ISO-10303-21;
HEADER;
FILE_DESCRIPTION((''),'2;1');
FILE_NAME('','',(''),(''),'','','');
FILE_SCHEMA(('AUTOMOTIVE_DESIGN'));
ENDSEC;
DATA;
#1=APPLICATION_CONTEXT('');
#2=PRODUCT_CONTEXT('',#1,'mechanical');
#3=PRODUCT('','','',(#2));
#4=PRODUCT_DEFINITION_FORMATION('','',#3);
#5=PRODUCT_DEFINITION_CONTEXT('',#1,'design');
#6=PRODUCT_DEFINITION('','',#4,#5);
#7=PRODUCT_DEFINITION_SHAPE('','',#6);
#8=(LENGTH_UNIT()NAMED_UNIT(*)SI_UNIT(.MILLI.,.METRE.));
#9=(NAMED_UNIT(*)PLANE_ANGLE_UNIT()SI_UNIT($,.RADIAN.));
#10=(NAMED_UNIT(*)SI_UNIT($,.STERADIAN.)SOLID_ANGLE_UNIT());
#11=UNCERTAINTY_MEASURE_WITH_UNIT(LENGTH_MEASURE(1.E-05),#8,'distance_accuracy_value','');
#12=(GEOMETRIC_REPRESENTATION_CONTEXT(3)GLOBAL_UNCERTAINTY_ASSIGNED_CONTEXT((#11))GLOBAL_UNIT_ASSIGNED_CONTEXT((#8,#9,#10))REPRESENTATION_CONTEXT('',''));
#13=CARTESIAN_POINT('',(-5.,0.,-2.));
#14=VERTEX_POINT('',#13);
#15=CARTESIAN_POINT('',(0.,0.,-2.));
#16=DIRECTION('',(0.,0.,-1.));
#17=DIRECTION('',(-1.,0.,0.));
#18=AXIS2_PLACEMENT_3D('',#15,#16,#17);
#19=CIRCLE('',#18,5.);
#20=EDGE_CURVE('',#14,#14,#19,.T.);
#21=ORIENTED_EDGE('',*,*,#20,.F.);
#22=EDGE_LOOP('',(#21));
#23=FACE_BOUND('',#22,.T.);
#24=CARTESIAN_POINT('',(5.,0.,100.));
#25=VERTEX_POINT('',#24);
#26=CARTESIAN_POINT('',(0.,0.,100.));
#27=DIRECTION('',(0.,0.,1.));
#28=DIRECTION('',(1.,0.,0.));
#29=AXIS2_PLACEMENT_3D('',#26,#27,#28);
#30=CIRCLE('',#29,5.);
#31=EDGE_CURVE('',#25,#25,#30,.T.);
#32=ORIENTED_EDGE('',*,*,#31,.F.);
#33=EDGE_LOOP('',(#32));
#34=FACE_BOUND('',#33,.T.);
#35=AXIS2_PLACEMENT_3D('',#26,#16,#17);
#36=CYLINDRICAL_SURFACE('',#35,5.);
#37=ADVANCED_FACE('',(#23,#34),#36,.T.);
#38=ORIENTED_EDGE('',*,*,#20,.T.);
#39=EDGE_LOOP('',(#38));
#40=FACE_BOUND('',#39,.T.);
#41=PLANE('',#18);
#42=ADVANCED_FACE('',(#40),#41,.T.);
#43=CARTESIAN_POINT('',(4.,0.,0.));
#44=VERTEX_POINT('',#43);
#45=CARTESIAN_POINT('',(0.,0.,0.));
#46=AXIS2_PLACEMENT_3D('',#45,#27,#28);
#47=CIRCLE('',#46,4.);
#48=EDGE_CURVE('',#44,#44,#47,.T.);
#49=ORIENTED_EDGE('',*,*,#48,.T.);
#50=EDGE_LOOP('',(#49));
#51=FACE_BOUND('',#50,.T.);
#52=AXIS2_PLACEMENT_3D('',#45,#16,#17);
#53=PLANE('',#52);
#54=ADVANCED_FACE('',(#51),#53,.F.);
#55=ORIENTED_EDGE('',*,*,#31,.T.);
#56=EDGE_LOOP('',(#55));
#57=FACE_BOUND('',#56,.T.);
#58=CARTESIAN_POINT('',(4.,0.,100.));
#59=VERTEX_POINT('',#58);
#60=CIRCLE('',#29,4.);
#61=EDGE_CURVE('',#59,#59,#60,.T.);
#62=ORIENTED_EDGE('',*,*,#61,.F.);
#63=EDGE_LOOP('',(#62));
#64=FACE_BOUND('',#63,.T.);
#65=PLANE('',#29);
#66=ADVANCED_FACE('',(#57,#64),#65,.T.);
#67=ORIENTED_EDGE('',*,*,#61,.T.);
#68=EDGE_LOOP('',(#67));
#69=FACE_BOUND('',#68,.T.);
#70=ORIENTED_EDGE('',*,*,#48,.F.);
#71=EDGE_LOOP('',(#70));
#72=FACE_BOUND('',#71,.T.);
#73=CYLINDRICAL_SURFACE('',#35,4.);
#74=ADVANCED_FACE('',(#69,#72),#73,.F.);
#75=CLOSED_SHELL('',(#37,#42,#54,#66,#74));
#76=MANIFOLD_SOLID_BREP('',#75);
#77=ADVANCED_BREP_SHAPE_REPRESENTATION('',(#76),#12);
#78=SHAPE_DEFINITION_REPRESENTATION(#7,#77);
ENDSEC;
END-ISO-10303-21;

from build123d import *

# Parameters (mm, degrees)
SKETCH1_R           = 5
SKETCH1_R_2         = 4
BOSS_EXTRUDE1_DEPTH = 100
BOSS_EXTRUDE2_START = 2
SKETCH6_R           = 5
BOSS_EXTRUDE2_DEPTH = 2


with BuildPart() as part:
    # Sketch1 → Boss-Extrude1 (new body)
    with BuildSketch(Plane.XY):
        Circle(SKETCH1_R)
        Circle(SKETCH1_R_2, mode=Mode.SUBTRACT)
    extrude(amount=BOSS_EXTRUDE1_DEPTH)

    # Sketch6 → Boss-Extrude2 (add)
    with BuildSketch(Plane(origin=(0, 0, 0), x_dir=(-1, 0, 0), z_dir=(0, 0, -1)).offset(BOSS_EXTRUDE2_START)):
        Circle(SKETCH6_R)
    extrude(amount=-BOSS_EXTRUDE2_DEPTH)


solid = part.part
